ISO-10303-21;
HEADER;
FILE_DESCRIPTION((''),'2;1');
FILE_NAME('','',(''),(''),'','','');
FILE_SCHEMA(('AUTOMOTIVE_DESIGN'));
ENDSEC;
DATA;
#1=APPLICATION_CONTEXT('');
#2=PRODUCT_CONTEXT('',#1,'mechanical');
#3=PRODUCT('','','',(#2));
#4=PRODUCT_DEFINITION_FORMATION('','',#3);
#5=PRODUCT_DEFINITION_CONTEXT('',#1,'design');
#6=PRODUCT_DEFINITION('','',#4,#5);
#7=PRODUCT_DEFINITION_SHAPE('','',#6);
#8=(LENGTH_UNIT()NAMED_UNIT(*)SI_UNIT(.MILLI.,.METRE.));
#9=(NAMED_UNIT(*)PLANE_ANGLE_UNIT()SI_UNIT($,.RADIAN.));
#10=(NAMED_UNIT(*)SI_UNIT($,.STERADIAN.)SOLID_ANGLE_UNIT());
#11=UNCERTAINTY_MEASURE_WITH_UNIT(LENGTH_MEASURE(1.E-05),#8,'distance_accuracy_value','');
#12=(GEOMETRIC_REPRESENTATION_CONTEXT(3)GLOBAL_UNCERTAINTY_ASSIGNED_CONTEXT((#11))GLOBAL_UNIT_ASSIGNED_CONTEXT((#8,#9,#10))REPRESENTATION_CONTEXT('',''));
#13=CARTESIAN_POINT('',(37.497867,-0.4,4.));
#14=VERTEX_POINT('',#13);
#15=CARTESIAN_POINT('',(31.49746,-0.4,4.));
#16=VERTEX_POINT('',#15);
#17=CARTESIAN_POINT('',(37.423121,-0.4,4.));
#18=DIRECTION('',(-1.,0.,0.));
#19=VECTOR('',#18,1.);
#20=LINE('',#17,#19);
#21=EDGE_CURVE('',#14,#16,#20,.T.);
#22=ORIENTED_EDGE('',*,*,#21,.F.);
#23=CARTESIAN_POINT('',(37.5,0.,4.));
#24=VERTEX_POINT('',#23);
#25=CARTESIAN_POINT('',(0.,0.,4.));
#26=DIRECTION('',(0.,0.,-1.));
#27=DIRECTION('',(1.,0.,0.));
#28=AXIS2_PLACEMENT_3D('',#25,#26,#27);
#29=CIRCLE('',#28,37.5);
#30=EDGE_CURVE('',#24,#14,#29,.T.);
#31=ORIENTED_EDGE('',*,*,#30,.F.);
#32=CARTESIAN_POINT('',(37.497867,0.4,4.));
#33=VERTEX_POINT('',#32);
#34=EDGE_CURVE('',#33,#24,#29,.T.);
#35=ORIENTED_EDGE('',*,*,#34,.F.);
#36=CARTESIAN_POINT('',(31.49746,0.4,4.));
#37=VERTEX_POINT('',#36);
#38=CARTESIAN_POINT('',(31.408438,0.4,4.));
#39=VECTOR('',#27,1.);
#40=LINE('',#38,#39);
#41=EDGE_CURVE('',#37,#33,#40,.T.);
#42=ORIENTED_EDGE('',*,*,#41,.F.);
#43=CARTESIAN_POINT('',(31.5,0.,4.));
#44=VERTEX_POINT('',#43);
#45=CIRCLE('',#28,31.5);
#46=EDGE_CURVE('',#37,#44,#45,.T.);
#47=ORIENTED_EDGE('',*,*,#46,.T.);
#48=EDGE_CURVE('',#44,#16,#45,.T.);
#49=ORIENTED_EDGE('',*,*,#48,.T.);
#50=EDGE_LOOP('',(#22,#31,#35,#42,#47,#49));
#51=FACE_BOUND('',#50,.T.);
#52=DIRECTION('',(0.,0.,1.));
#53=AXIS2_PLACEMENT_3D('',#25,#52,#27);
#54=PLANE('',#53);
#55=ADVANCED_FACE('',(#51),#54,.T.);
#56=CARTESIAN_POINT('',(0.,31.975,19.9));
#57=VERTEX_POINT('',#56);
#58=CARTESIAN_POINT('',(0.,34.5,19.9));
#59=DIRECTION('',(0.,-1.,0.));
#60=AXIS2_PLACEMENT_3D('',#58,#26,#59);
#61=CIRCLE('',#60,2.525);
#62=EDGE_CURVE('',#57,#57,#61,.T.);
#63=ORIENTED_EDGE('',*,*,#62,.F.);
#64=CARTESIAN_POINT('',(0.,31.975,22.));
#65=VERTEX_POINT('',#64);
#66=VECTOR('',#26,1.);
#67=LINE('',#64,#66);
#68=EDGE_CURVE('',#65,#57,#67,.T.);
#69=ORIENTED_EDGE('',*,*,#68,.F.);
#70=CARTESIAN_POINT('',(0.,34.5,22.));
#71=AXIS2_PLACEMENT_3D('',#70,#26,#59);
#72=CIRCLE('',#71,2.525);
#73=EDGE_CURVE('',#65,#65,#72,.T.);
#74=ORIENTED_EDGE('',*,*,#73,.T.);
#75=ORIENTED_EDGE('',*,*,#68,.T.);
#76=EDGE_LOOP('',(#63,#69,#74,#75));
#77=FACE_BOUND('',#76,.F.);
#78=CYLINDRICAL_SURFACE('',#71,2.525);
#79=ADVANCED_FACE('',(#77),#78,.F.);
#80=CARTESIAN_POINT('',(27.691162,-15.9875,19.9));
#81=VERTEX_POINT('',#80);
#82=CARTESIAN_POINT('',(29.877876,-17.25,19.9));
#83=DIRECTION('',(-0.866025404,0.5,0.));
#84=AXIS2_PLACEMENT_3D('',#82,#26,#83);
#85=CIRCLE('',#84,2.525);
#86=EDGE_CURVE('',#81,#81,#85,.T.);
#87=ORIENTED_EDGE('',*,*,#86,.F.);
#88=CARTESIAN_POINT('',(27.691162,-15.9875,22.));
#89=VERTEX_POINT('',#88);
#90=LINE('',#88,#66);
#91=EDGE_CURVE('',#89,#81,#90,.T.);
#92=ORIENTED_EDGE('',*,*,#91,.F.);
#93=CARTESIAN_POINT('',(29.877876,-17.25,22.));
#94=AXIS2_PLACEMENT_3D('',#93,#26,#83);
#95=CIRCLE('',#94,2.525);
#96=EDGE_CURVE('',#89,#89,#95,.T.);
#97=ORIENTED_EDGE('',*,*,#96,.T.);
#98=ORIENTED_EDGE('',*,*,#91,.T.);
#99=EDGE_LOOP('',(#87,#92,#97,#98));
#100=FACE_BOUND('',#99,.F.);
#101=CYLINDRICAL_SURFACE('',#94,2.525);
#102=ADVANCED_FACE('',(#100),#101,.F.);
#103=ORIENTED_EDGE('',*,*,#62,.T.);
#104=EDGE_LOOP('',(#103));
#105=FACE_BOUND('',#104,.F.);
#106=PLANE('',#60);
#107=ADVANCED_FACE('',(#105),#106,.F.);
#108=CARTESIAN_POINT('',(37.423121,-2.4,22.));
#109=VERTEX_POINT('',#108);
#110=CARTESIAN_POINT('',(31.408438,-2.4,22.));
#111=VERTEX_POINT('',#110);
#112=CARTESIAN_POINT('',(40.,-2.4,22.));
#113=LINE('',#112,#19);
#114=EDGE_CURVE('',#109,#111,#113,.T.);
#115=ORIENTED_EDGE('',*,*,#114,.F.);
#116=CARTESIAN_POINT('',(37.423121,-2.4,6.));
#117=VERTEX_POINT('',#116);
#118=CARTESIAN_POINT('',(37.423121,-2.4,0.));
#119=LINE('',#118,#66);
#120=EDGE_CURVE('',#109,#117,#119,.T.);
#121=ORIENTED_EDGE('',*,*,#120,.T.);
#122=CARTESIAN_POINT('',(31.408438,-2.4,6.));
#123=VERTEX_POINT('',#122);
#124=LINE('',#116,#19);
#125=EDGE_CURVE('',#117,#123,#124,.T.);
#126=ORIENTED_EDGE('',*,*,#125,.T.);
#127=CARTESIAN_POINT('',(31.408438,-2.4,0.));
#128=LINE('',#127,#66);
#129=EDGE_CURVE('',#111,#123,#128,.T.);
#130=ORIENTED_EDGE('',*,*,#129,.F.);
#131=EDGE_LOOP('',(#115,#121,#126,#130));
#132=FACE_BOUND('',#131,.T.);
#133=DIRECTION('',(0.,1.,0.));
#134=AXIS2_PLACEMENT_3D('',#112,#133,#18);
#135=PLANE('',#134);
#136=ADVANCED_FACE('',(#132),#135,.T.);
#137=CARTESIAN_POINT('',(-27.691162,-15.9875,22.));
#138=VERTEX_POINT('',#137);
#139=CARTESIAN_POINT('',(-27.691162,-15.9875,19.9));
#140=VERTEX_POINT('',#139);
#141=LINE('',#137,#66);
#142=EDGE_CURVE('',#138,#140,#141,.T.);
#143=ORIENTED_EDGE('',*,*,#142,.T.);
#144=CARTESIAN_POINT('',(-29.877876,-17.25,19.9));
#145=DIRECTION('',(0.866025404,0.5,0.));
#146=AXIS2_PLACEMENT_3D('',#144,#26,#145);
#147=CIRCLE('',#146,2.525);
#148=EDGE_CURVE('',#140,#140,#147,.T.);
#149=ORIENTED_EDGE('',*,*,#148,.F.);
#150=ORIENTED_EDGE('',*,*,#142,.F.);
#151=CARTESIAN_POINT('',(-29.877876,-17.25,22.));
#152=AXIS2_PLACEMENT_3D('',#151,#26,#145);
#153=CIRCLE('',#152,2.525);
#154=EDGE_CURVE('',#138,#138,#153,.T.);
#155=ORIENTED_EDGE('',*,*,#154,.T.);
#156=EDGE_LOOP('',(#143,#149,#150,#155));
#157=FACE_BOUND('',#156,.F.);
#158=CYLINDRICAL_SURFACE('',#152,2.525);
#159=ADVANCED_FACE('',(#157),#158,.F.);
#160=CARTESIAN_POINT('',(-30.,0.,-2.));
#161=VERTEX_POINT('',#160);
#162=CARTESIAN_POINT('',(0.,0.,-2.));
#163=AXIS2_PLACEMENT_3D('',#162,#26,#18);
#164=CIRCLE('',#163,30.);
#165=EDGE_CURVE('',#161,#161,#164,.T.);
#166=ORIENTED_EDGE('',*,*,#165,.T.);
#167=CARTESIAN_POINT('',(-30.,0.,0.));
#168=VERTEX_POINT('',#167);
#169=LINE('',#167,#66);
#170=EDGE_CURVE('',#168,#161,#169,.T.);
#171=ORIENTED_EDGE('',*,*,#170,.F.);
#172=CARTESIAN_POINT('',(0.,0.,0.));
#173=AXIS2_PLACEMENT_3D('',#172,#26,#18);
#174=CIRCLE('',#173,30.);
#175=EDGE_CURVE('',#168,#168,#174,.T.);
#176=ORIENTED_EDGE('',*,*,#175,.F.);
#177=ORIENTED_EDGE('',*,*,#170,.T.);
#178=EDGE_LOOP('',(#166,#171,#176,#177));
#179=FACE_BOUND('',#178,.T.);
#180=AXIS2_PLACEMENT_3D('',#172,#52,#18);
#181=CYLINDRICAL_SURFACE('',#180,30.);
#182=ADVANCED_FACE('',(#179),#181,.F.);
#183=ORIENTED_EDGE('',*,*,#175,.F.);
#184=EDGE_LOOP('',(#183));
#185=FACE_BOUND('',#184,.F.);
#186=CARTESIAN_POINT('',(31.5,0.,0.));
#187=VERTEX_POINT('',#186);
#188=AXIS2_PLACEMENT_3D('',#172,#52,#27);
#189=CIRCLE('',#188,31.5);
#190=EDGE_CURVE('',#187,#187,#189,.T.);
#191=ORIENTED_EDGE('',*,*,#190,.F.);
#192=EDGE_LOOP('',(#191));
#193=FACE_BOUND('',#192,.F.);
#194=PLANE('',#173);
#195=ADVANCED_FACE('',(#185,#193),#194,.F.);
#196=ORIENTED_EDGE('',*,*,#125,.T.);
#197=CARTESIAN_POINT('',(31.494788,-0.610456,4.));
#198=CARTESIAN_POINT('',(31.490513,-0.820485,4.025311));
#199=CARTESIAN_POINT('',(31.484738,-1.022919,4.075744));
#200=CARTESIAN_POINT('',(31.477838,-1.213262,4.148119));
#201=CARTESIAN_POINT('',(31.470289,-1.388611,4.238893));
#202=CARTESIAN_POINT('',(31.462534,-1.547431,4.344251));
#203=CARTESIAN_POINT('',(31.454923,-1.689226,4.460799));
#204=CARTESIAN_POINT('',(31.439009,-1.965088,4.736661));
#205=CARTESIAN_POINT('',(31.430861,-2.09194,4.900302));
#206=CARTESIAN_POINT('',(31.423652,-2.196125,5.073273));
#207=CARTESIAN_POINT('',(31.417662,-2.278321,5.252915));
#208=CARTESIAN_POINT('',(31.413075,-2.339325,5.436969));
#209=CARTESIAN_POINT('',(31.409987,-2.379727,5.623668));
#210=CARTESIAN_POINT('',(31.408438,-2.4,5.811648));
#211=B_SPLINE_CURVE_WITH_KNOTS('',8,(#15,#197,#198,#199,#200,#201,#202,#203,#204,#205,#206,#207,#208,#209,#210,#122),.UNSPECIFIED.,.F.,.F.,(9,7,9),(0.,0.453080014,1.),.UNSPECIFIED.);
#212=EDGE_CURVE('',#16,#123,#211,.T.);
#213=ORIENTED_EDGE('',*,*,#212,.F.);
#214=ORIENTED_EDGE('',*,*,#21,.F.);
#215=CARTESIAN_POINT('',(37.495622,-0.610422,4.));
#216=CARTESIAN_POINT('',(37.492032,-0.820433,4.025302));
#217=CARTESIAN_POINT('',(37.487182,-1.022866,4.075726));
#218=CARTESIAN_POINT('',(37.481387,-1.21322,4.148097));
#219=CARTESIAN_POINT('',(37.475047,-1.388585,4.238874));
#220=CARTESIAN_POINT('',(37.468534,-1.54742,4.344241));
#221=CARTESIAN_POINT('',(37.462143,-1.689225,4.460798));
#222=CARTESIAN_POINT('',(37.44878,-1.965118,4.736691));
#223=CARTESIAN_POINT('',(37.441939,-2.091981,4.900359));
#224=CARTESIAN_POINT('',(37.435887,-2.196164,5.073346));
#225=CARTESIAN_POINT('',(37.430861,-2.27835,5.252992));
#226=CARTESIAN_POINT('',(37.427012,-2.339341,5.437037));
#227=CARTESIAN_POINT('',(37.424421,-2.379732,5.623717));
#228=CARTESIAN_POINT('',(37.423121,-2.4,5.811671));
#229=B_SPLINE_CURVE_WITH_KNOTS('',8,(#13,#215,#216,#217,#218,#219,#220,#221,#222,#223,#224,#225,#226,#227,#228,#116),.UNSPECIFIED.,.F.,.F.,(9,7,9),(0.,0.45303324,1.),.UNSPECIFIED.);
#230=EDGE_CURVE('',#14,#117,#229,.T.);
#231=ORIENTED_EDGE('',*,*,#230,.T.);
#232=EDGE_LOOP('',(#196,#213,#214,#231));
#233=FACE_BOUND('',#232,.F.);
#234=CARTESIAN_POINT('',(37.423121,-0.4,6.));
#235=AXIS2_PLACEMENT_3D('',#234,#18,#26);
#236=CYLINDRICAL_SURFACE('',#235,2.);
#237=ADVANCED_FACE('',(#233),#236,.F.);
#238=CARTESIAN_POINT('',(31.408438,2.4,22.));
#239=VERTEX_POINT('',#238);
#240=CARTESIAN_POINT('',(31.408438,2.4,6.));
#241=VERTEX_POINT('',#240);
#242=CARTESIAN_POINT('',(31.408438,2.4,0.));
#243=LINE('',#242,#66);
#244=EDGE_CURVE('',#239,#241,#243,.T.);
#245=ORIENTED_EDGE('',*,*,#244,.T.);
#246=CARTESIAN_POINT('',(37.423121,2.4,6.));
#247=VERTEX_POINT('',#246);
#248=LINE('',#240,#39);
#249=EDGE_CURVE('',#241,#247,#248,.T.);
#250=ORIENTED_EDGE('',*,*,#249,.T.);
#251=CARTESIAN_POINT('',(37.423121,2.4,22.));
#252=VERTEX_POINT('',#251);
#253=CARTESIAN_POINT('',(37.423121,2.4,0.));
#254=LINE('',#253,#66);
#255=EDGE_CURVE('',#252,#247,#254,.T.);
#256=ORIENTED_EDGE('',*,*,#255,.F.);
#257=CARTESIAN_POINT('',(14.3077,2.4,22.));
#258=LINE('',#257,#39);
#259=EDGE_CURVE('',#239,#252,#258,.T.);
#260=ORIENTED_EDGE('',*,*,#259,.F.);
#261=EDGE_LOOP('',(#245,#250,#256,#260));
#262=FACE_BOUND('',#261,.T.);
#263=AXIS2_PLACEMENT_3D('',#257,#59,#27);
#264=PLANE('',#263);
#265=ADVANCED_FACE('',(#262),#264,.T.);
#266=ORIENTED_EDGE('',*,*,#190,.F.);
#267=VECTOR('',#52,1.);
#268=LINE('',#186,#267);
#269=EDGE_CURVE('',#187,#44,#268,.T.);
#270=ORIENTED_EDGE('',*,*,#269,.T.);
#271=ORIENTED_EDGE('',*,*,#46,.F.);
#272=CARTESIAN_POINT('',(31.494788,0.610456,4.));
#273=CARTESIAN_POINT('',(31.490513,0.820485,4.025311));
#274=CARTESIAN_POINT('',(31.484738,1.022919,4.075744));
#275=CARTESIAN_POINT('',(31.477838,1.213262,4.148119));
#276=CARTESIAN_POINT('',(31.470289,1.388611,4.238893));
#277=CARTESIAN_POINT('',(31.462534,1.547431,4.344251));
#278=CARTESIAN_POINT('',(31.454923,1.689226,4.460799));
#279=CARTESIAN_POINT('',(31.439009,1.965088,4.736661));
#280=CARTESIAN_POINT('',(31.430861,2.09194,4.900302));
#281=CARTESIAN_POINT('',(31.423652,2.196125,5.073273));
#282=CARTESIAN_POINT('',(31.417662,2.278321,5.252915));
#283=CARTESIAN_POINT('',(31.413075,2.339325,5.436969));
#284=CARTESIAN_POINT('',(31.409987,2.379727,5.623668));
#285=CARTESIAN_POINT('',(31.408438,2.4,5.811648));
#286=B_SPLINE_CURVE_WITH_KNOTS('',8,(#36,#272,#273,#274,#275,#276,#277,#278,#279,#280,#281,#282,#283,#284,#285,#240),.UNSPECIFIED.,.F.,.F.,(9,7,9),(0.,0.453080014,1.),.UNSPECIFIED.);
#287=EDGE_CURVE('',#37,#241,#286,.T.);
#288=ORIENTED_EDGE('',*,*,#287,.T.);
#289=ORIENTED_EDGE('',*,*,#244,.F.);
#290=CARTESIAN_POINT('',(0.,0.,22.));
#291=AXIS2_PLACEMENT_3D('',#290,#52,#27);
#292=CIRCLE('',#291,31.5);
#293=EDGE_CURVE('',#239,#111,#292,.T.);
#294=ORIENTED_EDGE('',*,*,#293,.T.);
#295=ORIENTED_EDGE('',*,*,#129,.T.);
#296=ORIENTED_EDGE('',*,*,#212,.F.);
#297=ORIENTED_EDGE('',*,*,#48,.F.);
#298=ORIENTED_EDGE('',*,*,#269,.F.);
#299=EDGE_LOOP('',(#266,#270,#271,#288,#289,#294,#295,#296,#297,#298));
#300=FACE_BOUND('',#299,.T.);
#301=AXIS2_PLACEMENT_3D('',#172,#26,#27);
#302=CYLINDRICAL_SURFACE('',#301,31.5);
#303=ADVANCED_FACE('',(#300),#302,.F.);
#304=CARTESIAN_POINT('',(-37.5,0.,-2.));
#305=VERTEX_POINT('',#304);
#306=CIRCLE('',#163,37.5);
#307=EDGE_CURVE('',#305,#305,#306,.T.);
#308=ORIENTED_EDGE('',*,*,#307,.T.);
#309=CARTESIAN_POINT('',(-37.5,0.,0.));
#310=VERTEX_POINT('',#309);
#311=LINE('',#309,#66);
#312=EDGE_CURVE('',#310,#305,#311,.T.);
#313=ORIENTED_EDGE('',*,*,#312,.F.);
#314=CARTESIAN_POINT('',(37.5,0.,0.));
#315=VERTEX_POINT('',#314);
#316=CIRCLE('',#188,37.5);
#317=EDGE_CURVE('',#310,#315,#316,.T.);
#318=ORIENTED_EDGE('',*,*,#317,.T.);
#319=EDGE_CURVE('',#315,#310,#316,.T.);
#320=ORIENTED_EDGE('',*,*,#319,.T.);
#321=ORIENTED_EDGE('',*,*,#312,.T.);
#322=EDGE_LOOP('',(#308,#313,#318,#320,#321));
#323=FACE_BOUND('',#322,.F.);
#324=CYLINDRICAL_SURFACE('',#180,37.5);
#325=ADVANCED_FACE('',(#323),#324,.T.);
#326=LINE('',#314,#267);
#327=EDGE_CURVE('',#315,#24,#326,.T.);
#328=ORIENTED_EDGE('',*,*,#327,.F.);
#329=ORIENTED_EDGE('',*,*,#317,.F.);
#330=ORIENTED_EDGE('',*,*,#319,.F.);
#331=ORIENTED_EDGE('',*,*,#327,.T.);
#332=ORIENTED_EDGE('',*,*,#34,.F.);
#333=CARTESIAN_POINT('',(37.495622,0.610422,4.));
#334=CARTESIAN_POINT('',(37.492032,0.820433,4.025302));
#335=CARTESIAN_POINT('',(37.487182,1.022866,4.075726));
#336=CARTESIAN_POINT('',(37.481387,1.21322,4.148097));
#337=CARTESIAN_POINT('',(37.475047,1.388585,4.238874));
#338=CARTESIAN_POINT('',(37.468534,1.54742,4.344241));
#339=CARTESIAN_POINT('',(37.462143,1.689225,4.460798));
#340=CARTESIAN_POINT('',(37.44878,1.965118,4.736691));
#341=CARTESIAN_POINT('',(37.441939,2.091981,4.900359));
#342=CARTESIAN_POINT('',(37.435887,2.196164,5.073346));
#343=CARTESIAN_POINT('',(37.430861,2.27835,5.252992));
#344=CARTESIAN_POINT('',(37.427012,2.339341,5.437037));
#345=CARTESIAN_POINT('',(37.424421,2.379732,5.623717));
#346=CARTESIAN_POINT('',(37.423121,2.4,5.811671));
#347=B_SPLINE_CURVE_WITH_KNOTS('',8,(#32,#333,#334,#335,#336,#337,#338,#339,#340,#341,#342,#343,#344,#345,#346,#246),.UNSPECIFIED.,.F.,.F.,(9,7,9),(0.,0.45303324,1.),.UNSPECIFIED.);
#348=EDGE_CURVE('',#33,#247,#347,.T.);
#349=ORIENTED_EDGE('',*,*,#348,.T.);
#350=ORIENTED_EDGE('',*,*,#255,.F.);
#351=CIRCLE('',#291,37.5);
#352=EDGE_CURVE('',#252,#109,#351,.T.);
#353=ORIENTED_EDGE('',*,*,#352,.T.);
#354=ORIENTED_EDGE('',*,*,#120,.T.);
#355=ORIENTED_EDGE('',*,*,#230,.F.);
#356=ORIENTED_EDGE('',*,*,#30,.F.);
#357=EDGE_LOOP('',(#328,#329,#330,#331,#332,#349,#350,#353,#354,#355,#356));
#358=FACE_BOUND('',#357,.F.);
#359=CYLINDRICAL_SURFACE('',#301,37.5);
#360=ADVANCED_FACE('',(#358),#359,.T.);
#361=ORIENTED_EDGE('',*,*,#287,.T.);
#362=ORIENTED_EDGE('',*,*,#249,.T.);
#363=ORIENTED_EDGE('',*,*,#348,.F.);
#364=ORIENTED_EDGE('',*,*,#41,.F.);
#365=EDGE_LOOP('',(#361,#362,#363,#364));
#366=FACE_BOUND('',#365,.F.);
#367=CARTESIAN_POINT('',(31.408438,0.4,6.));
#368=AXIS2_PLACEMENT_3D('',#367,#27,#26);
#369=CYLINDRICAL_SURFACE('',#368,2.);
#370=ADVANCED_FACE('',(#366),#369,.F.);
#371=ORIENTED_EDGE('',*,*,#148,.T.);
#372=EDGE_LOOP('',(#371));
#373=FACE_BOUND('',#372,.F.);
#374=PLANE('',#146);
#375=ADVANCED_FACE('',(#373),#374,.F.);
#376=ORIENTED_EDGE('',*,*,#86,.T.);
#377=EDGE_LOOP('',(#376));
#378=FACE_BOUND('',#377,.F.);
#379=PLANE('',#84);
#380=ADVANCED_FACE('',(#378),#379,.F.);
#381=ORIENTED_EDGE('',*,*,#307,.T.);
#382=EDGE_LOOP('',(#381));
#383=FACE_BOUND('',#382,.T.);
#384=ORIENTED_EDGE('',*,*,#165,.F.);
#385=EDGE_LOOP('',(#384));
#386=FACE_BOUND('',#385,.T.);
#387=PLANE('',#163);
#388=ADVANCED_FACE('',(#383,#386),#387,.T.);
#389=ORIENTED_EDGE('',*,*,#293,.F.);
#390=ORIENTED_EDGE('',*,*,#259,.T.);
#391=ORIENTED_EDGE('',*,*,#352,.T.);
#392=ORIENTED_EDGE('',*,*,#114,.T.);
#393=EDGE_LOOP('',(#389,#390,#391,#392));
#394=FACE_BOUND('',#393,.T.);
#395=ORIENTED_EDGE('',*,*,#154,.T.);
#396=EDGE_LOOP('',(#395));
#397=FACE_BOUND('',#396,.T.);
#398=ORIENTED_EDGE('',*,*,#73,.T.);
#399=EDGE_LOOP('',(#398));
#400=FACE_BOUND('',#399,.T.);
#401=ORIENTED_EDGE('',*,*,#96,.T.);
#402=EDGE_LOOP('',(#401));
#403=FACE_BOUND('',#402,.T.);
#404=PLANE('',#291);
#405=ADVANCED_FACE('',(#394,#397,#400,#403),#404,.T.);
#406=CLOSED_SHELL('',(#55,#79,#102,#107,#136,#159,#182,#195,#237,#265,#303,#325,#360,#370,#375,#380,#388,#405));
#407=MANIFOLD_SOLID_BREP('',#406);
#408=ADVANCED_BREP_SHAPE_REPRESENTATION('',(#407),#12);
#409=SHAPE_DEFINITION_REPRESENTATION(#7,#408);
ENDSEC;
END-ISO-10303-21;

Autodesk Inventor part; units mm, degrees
ref_plane "YZ Plane" through (0, 0, 0) normal (1, 0, 0) x (0, 1, 0)
ref_plane "XZ Plane" through (0, 0, 0) normal (0, 1, 0) x (-1, 0, 0)
ref_plane "XY Plane" through (0, 0, 0) normal (0, 0, 1) x (1, 0, 0)
sketch "Skizze1" plane through (0, 0, 0) normal (0, 0, 1) x (1, 0, 0)
  circle A0 centre (0, 0) radius 31.5
  circle A1 centre (0, 0) radius 37.5
  dimension "d0" = 63
  dimension "d1" = 75
extrude "Extrusion1" add sketch "Skizze1" along normal blind 22
sketch "Skizze2" plane through (0, 0, 0) normal (0, 0, -1) x (-1, 0, 0)
  circle A0 centre (0, 0) radius 37.5
  circle A1 centre (0, 0) radius 30
  dimension "d4" = 75
  dimension "d5" = 60
extrude "Extrusion2" add sketch "Skizze2" along normal blind 2
sketch "Skizze3" plane through (0, 0, 22) normal (0, 0, 1) x (1, 0, 0)
  point P0 (0, 0)
  point P1 (0, 34.5)
  dimension "d8" = 34.5
hole "Bohrung1" at (0, 34.5, 22) direction (0, 0, -1) diameter 5.05 depth 2.1
pattern_circular "Runde Anordnung1" count 3 over 360 about axis through (0, 0, 0) along (0, 0, 1) of "Bohrung1"
sketch "Skizze4" plane through (0, 0, 22) normal (0, 0, 1) x (1, 0, 0)
  line L0 (14.3077, 2.4) -> (40, 2.4)
  line L1 (40, 2.4) -> (40, -2.4)
  line L2 (40, -2.4) -> (14.3077, -2.4)
  line L3 (14.3077, -2.4) -> (14.3077, 2.4)
  point P0 (0, 0)
  dimension "d19" = 4.8
  dimension "d20" = 2.4
  dimension "d21" = 40
extrude "Extrusion3" cut sketch "Skizze4" against normal blind 18
fillet "Rundung1" radius 2 2 edges at (34.4158, 2.4, 4) (34.4158, -2.4, 4)
sketch "Skizze5" plane through (0, 0, 22) normal (0, 0, 1) x (1, 0, 0)
  point P0 (0, 0)
equation "\"d20\" = 0.5 * d19"
properties part number "Sensor63Deckel"
